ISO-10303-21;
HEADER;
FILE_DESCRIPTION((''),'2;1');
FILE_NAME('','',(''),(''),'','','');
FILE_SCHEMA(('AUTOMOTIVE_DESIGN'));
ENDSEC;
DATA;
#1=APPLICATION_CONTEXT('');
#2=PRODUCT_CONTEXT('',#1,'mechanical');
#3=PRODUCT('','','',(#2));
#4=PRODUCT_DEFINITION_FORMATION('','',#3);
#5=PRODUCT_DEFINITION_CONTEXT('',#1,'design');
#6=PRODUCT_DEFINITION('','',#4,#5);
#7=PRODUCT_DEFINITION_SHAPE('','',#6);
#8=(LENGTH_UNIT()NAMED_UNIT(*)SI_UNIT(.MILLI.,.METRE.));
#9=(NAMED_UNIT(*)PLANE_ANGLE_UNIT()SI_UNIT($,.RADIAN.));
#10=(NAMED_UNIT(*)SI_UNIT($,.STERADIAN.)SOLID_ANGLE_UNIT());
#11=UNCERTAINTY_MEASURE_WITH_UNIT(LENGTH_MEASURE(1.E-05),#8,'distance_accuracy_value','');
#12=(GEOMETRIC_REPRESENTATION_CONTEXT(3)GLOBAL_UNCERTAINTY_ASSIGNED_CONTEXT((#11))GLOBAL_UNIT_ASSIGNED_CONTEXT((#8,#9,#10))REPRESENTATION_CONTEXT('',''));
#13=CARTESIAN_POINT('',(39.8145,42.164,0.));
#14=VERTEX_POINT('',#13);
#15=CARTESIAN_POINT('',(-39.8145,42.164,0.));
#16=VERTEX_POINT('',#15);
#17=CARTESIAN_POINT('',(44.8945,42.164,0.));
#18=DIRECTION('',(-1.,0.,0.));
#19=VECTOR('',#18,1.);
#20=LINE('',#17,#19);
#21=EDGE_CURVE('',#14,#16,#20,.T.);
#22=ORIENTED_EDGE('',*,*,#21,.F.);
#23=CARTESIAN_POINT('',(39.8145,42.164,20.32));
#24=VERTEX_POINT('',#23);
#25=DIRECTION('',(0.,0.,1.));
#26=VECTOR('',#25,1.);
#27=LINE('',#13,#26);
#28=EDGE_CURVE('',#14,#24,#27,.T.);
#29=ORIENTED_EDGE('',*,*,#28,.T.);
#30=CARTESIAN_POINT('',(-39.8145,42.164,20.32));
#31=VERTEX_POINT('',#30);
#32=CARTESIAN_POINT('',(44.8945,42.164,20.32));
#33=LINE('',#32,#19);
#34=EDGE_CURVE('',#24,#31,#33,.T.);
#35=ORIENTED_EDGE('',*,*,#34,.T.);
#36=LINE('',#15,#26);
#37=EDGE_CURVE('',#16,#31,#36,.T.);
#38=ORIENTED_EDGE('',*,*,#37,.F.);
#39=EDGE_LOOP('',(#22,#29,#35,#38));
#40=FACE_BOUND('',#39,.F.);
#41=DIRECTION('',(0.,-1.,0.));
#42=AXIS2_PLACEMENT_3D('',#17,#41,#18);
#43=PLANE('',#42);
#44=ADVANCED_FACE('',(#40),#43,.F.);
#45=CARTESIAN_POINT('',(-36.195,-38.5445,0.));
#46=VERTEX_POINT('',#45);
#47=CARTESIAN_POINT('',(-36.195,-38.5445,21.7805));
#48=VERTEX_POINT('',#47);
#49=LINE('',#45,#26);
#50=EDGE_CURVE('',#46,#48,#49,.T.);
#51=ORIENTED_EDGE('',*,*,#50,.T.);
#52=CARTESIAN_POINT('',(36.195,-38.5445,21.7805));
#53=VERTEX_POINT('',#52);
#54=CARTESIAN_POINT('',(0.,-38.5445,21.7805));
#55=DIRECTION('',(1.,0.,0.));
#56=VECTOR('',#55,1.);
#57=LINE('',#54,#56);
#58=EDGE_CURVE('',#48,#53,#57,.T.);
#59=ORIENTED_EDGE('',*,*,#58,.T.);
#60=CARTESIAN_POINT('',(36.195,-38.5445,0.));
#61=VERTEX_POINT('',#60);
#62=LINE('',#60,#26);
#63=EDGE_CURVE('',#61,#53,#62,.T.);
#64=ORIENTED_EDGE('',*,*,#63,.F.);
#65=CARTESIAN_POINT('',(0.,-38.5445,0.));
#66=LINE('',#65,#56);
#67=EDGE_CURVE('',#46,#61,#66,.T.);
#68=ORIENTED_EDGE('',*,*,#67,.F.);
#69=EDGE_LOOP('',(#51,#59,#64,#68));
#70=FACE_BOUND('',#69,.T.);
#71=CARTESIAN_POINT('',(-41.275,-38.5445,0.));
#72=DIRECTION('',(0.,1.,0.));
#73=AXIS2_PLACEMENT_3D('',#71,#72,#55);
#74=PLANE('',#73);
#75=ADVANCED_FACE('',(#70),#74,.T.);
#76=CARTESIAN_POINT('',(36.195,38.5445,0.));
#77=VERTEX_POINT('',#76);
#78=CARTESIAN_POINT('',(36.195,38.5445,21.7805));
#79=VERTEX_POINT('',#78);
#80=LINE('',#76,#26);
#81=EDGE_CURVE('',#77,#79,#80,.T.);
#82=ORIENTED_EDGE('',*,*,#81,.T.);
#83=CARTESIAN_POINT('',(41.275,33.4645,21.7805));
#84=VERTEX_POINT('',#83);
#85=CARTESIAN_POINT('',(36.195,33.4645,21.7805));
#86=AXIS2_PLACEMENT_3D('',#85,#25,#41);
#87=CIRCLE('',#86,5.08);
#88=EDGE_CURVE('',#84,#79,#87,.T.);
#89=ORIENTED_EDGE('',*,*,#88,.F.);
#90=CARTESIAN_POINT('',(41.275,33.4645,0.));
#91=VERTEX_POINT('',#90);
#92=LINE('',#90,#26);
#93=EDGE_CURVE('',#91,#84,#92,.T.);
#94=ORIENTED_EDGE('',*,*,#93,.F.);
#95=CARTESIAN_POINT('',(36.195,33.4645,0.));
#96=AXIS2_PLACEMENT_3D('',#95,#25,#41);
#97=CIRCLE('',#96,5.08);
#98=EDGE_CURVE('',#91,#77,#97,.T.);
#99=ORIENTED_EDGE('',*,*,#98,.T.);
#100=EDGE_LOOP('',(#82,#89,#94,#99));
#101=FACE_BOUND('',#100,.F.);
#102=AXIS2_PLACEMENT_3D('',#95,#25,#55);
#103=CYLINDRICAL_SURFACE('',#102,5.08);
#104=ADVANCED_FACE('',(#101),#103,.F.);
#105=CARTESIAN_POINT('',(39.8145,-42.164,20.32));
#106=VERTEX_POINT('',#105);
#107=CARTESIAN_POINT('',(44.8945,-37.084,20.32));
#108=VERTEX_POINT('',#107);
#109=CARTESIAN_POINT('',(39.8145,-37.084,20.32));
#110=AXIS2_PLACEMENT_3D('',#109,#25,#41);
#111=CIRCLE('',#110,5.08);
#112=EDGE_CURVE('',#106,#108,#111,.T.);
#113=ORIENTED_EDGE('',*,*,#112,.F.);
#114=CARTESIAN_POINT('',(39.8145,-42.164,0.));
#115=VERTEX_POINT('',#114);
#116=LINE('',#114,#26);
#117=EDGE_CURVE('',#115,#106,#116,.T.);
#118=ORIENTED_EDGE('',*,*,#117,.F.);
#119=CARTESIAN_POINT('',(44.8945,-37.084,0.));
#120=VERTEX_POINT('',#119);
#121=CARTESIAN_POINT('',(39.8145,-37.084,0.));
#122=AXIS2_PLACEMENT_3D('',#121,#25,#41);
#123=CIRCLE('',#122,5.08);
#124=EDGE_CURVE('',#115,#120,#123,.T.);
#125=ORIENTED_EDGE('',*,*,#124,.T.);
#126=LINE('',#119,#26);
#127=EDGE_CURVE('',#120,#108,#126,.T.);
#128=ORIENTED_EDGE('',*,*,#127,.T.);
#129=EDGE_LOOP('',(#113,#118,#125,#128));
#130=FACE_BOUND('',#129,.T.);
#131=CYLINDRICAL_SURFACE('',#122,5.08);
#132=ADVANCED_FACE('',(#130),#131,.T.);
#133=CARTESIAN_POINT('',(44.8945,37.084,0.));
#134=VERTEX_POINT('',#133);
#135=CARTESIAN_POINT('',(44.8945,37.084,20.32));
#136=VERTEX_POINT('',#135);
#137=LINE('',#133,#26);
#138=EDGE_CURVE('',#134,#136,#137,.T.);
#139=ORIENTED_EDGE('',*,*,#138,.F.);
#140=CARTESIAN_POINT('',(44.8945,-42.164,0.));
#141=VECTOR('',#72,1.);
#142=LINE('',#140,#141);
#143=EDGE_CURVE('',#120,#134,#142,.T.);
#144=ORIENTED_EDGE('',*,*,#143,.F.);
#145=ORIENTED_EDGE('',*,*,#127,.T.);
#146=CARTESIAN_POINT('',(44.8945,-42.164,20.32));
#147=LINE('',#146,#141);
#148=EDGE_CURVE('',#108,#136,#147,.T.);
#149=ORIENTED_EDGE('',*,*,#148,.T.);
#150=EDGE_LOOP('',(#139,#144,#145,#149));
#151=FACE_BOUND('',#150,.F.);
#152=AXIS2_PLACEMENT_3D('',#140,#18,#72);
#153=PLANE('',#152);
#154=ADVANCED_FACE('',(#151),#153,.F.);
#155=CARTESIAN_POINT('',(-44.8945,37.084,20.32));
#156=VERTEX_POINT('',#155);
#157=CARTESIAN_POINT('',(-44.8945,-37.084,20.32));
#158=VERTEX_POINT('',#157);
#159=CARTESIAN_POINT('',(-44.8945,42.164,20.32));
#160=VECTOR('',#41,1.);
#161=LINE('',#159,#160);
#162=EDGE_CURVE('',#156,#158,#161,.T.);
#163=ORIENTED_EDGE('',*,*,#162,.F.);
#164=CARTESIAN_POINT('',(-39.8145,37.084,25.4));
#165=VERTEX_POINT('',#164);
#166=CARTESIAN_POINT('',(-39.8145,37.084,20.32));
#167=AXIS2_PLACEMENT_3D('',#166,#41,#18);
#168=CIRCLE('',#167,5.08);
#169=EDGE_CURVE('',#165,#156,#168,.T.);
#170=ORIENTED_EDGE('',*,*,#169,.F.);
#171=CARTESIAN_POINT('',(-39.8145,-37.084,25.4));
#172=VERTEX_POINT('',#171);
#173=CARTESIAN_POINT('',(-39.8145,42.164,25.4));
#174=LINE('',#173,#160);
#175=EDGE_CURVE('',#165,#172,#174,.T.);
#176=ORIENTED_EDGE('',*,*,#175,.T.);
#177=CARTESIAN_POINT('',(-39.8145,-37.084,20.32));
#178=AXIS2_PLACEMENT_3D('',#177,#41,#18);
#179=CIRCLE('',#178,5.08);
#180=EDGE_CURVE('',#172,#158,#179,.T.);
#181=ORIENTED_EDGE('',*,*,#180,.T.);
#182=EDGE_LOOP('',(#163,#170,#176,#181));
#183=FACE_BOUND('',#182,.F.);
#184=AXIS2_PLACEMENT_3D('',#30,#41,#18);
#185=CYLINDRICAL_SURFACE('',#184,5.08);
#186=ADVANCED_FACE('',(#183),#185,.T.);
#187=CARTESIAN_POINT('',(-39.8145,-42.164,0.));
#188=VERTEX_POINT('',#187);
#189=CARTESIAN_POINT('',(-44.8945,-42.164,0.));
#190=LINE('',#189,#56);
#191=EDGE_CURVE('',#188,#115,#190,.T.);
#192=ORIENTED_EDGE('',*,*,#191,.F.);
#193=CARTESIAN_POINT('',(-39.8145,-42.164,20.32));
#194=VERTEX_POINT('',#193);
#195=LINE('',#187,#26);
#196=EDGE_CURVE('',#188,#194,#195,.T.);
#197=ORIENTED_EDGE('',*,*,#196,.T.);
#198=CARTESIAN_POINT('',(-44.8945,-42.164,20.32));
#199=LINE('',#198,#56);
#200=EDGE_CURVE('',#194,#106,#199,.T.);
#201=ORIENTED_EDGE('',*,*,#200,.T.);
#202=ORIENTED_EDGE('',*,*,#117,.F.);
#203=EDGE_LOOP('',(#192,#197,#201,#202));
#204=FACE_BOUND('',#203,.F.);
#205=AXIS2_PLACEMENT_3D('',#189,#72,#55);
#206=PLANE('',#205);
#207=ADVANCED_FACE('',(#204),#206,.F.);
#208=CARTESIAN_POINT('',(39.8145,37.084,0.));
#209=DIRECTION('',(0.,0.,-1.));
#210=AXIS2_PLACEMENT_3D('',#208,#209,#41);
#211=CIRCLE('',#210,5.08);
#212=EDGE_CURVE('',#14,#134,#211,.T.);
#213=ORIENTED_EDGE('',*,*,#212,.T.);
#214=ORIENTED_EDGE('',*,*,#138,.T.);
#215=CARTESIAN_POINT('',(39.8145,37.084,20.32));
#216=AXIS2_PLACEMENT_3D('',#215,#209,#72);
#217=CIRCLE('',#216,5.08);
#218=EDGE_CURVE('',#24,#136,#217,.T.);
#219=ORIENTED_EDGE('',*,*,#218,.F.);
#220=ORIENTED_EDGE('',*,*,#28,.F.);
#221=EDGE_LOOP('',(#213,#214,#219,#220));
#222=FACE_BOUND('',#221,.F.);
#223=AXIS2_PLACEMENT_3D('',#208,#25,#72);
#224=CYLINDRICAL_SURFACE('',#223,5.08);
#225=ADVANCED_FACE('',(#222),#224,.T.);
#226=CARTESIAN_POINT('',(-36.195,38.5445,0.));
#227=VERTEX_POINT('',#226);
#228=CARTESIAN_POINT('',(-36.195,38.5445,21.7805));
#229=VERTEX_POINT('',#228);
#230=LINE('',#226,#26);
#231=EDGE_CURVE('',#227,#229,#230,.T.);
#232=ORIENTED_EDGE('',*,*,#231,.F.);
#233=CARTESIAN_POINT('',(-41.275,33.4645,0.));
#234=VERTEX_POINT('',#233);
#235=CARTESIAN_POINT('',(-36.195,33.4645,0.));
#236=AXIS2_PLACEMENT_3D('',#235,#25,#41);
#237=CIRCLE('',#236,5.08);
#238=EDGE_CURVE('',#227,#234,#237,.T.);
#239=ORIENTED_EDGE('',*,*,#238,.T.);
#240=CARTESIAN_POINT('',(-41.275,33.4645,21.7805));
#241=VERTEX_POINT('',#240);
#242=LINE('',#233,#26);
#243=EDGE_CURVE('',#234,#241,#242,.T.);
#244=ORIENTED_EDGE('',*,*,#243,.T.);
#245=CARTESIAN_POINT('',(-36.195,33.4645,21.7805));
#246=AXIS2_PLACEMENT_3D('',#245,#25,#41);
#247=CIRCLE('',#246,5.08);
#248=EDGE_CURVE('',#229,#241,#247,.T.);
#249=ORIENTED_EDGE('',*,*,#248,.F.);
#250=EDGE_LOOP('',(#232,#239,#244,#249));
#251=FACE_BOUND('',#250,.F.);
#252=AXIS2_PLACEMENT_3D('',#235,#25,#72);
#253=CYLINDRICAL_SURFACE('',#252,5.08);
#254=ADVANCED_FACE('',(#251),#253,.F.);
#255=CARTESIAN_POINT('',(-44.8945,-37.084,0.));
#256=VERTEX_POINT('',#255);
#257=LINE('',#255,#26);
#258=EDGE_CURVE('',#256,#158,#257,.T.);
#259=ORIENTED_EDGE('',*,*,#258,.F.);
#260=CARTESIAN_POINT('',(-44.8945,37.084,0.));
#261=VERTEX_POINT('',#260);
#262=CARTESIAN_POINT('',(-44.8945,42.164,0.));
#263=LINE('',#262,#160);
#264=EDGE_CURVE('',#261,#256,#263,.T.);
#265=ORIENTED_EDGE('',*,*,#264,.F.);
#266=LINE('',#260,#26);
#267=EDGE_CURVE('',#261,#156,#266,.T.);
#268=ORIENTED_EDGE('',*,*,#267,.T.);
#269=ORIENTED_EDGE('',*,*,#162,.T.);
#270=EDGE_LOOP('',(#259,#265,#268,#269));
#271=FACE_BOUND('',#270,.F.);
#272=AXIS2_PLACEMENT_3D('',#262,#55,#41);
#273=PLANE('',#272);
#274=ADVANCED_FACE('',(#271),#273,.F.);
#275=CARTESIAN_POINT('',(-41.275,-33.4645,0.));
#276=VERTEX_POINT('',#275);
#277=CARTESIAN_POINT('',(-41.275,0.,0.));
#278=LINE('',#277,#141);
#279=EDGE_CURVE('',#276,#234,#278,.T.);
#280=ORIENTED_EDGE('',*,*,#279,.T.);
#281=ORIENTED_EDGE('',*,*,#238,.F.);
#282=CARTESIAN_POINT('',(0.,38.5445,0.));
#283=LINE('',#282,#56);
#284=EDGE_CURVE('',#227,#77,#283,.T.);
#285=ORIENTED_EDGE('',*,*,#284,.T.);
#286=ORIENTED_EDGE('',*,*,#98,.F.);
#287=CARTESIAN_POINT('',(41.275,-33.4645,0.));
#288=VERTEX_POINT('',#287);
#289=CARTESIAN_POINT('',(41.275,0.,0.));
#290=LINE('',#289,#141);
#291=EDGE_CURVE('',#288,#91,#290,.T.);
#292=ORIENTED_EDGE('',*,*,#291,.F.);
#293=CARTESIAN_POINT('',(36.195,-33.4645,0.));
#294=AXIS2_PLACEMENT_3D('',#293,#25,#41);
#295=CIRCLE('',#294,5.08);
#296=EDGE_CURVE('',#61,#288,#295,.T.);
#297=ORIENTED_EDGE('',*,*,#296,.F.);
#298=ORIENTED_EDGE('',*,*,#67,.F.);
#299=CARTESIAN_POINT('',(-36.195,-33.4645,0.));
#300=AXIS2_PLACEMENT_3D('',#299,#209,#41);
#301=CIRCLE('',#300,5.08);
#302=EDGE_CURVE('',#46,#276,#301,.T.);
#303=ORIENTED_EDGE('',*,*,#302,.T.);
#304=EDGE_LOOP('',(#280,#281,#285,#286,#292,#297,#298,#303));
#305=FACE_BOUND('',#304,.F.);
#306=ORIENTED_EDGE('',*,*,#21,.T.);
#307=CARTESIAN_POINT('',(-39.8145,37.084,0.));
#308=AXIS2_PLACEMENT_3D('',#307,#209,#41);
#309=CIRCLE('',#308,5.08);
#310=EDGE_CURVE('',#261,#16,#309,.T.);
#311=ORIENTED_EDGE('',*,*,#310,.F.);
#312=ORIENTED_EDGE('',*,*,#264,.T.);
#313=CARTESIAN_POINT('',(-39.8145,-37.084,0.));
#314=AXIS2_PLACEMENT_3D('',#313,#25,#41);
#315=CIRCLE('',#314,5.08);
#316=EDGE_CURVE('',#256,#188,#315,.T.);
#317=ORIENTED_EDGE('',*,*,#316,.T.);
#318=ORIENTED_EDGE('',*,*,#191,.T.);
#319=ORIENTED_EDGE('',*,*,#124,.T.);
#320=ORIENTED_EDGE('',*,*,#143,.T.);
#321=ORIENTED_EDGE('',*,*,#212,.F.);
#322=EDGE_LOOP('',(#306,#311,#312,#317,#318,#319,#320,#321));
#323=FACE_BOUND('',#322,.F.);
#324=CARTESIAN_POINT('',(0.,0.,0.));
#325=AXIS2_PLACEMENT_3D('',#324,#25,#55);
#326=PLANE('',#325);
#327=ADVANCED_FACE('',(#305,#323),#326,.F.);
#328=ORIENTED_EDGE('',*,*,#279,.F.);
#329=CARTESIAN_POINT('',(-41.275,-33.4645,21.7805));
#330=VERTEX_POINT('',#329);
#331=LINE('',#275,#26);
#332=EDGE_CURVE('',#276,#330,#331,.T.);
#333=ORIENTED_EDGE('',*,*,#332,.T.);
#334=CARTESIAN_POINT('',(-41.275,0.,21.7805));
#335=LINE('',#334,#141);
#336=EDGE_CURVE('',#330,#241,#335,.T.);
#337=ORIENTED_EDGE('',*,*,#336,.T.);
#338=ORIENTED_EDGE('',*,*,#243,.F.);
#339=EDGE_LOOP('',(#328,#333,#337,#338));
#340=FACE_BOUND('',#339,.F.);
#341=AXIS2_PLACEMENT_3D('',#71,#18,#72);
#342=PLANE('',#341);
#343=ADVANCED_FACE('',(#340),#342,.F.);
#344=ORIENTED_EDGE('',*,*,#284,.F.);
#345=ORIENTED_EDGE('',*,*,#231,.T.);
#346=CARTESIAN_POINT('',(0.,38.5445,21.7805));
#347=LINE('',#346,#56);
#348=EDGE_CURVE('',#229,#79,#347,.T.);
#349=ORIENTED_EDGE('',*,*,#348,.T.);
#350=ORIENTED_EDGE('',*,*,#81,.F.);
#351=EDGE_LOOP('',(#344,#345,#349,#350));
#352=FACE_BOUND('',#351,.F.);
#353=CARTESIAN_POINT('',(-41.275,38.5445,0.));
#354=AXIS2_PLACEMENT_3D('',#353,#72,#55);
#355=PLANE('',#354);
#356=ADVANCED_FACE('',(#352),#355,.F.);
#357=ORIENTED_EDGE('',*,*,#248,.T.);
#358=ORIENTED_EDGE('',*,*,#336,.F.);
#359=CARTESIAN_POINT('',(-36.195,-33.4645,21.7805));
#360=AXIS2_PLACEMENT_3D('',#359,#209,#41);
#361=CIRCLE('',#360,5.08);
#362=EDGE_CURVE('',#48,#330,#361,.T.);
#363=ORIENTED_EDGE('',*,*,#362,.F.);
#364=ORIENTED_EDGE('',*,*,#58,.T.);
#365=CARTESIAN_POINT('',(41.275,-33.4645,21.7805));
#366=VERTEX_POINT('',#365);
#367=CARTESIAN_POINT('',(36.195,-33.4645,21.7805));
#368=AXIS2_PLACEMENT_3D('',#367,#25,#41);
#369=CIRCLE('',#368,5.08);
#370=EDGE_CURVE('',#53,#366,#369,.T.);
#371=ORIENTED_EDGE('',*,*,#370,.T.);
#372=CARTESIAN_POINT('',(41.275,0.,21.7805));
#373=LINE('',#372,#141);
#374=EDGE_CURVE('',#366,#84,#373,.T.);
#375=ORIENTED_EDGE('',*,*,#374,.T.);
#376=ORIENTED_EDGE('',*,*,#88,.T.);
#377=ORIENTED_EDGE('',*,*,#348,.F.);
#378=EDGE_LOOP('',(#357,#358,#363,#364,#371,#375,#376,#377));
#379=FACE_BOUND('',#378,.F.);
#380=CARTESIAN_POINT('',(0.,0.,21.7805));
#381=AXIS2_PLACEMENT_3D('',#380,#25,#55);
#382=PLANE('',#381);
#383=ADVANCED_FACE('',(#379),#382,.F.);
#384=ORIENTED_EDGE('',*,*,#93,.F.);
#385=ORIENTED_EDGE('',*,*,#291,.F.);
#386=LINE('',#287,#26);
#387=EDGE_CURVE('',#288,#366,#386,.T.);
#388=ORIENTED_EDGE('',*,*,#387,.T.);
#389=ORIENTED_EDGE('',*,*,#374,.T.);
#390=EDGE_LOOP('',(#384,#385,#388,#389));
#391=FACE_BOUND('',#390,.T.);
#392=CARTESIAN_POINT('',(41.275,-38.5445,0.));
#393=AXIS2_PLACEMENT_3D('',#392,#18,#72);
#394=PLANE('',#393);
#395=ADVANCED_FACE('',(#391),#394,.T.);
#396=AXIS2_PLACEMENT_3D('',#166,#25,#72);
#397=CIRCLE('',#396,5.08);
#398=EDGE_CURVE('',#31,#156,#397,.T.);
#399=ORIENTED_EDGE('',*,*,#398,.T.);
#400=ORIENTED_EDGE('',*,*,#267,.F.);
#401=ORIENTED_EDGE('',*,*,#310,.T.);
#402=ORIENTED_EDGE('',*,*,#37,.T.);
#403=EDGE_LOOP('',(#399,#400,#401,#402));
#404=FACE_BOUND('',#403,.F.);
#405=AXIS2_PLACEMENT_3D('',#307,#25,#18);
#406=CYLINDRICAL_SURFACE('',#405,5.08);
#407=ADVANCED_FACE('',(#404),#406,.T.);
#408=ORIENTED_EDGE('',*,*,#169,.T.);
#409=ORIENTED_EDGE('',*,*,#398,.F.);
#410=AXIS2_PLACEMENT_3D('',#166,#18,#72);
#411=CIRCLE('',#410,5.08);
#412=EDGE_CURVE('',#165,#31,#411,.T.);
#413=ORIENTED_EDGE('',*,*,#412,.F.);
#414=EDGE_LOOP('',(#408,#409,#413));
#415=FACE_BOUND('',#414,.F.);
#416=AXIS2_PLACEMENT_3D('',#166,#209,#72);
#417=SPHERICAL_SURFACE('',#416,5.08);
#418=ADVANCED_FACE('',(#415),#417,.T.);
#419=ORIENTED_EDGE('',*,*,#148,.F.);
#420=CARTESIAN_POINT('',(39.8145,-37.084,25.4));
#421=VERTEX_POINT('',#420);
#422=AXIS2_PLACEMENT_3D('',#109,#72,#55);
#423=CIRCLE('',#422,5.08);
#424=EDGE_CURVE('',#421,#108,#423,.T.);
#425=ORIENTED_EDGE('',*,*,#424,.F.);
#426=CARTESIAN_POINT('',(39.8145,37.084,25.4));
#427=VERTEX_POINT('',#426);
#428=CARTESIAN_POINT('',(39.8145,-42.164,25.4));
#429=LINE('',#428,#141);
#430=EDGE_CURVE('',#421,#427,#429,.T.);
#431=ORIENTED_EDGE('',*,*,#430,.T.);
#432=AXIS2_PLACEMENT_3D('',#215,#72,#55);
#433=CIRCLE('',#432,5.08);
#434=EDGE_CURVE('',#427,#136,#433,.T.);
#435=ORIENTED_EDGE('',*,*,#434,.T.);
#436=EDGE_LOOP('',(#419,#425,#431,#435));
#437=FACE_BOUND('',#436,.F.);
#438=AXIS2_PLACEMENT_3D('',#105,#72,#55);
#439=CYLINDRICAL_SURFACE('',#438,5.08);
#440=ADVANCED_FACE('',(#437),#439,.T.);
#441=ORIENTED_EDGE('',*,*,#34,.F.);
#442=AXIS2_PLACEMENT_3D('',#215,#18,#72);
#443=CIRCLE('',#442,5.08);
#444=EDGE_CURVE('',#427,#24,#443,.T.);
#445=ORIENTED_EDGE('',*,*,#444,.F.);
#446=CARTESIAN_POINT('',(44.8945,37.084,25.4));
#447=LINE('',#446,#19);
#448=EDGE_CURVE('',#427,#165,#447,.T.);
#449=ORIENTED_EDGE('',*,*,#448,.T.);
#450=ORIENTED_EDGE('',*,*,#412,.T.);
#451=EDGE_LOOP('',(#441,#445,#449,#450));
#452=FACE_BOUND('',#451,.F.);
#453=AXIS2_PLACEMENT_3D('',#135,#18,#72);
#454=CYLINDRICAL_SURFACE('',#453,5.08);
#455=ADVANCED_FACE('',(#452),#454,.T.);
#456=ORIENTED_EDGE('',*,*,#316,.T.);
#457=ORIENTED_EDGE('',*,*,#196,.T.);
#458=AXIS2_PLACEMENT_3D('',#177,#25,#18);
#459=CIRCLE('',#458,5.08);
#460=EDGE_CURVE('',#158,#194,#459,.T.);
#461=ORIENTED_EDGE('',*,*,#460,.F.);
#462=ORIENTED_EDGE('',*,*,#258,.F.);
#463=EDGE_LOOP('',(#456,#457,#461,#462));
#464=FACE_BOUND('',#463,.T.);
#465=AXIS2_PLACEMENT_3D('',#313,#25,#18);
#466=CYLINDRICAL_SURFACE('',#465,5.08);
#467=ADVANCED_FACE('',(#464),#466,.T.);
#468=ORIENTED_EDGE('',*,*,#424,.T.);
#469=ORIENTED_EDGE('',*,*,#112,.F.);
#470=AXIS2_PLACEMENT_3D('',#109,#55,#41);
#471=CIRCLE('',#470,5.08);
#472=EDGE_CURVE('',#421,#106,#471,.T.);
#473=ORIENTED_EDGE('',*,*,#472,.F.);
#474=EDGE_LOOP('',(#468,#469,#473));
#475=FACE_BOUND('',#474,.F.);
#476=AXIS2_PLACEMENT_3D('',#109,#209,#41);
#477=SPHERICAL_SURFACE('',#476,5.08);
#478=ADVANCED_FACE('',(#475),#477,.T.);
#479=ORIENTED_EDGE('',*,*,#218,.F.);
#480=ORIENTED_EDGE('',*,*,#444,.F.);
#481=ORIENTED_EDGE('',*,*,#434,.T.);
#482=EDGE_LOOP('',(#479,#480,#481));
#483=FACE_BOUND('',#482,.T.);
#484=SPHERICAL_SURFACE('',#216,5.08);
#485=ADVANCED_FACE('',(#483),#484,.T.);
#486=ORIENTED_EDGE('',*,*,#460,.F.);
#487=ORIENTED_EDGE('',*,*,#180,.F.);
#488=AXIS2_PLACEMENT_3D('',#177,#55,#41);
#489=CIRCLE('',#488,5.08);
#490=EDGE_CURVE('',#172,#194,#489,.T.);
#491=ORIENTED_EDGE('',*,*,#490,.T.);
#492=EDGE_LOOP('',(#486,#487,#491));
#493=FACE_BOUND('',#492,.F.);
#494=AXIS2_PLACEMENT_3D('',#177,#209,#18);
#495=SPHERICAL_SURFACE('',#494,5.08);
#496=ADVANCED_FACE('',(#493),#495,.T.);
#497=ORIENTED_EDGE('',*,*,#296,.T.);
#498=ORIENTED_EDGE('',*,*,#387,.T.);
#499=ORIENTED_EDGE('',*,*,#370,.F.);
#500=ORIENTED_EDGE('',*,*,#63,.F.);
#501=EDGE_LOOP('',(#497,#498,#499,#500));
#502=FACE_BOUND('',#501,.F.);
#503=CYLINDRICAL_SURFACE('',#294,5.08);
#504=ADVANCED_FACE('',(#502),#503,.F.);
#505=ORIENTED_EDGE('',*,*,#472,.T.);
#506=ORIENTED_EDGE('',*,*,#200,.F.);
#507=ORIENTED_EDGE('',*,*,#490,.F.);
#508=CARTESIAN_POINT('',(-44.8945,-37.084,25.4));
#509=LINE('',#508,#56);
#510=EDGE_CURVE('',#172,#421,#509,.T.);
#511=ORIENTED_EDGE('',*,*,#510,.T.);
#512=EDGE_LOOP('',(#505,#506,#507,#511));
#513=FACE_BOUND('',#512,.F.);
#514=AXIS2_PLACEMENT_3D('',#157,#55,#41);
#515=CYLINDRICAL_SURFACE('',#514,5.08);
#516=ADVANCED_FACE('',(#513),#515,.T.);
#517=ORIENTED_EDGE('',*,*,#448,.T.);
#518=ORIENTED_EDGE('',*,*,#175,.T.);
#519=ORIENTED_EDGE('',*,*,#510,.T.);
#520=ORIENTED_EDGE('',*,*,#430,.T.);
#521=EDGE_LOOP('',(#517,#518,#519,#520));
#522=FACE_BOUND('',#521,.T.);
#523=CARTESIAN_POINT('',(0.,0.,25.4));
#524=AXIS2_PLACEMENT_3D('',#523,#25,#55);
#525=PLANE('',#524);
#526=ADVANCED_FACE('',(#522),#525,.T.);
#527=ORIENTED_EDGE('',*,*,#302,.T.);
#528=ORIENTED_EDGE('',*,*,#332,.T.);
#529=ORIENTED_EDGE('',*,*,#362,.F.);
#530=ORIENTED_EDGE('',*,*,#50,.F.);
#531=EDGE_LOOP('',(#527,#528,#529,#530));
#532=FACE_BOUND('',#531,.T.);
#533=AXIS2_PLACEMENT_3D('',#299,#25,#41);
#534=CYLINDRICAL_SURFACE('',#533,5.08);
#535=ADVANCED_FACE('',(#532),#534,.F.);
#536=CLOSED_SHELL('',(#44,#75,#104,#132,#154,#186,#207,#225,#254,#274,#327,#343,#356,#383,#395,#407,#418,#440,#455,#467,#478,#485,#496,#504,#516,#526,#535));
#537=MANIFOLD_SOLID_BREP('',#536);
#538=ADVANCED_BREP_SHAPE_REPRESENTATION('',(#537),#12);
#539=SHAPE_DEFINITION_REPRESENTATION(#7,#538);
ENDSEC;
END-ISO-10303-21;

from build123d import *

# Parameters (mm, degrees)
F0_W     = 82.55
F0_H     = 77.089
F1_DEPTH = 25.4
F2_W     = 82.55
F2_H     = 77.089
F3_DEPTH = 3.6195
F4_R     = 5.08
F5_R     = 5.08


with BuildPart() as f1:
    # F0 (on Top) → F1 (new body)
    with BuildSketch(Plane.XY):
        Polygon((-44.8945, 42.164), (-44.8945, 38.5445), (-44.8945, -42.164), (44.8945, -42.164), (44.8945, 42.164), align=None)
        Rectangle(F0_W, F0_H, mode=Mode.SUBTRACT)
    extrude(amount=F1_DEPTH)

    # F2 (on face) → F3 (join)
    with BuildSketch(Plane.XY.offset(25.4)):
        Rectangle(F2_W, F2_H)
    extrude(amount=-F3_DEPTH)

    # F4
    f4_edges = [f1.edges().sort_by_distance(p)[0] for p in [
        (41.275, -38.5445, 10.89025),
        (-41.275, -38.5445, 10.89025),
        (41.275, 38.5445, 10.89025),
        (-41.275, 38.5445, 10.89025),
    ]]
    fillet(f4_edges, radius=F4_R)

    # F5
    f5_edges = [f1.edges().sort_by_distance(p)[0] for p in [
        (-44.8945, -42.164, 12.7),
        (44.8945, -42.164, 12.7),
        (44.8945, 42.164, 12.7),
        (-44.8945, 42.164, 12.7),
        (0, 42.164, 25.4),
        (-44.8945, 0, 25.4),
        (0, -42.164, 25.4),
        (44.8945, 0, 25.4),
    ]]
    fillet(f5_edges, radius=F5_R)


solid = f1.part
